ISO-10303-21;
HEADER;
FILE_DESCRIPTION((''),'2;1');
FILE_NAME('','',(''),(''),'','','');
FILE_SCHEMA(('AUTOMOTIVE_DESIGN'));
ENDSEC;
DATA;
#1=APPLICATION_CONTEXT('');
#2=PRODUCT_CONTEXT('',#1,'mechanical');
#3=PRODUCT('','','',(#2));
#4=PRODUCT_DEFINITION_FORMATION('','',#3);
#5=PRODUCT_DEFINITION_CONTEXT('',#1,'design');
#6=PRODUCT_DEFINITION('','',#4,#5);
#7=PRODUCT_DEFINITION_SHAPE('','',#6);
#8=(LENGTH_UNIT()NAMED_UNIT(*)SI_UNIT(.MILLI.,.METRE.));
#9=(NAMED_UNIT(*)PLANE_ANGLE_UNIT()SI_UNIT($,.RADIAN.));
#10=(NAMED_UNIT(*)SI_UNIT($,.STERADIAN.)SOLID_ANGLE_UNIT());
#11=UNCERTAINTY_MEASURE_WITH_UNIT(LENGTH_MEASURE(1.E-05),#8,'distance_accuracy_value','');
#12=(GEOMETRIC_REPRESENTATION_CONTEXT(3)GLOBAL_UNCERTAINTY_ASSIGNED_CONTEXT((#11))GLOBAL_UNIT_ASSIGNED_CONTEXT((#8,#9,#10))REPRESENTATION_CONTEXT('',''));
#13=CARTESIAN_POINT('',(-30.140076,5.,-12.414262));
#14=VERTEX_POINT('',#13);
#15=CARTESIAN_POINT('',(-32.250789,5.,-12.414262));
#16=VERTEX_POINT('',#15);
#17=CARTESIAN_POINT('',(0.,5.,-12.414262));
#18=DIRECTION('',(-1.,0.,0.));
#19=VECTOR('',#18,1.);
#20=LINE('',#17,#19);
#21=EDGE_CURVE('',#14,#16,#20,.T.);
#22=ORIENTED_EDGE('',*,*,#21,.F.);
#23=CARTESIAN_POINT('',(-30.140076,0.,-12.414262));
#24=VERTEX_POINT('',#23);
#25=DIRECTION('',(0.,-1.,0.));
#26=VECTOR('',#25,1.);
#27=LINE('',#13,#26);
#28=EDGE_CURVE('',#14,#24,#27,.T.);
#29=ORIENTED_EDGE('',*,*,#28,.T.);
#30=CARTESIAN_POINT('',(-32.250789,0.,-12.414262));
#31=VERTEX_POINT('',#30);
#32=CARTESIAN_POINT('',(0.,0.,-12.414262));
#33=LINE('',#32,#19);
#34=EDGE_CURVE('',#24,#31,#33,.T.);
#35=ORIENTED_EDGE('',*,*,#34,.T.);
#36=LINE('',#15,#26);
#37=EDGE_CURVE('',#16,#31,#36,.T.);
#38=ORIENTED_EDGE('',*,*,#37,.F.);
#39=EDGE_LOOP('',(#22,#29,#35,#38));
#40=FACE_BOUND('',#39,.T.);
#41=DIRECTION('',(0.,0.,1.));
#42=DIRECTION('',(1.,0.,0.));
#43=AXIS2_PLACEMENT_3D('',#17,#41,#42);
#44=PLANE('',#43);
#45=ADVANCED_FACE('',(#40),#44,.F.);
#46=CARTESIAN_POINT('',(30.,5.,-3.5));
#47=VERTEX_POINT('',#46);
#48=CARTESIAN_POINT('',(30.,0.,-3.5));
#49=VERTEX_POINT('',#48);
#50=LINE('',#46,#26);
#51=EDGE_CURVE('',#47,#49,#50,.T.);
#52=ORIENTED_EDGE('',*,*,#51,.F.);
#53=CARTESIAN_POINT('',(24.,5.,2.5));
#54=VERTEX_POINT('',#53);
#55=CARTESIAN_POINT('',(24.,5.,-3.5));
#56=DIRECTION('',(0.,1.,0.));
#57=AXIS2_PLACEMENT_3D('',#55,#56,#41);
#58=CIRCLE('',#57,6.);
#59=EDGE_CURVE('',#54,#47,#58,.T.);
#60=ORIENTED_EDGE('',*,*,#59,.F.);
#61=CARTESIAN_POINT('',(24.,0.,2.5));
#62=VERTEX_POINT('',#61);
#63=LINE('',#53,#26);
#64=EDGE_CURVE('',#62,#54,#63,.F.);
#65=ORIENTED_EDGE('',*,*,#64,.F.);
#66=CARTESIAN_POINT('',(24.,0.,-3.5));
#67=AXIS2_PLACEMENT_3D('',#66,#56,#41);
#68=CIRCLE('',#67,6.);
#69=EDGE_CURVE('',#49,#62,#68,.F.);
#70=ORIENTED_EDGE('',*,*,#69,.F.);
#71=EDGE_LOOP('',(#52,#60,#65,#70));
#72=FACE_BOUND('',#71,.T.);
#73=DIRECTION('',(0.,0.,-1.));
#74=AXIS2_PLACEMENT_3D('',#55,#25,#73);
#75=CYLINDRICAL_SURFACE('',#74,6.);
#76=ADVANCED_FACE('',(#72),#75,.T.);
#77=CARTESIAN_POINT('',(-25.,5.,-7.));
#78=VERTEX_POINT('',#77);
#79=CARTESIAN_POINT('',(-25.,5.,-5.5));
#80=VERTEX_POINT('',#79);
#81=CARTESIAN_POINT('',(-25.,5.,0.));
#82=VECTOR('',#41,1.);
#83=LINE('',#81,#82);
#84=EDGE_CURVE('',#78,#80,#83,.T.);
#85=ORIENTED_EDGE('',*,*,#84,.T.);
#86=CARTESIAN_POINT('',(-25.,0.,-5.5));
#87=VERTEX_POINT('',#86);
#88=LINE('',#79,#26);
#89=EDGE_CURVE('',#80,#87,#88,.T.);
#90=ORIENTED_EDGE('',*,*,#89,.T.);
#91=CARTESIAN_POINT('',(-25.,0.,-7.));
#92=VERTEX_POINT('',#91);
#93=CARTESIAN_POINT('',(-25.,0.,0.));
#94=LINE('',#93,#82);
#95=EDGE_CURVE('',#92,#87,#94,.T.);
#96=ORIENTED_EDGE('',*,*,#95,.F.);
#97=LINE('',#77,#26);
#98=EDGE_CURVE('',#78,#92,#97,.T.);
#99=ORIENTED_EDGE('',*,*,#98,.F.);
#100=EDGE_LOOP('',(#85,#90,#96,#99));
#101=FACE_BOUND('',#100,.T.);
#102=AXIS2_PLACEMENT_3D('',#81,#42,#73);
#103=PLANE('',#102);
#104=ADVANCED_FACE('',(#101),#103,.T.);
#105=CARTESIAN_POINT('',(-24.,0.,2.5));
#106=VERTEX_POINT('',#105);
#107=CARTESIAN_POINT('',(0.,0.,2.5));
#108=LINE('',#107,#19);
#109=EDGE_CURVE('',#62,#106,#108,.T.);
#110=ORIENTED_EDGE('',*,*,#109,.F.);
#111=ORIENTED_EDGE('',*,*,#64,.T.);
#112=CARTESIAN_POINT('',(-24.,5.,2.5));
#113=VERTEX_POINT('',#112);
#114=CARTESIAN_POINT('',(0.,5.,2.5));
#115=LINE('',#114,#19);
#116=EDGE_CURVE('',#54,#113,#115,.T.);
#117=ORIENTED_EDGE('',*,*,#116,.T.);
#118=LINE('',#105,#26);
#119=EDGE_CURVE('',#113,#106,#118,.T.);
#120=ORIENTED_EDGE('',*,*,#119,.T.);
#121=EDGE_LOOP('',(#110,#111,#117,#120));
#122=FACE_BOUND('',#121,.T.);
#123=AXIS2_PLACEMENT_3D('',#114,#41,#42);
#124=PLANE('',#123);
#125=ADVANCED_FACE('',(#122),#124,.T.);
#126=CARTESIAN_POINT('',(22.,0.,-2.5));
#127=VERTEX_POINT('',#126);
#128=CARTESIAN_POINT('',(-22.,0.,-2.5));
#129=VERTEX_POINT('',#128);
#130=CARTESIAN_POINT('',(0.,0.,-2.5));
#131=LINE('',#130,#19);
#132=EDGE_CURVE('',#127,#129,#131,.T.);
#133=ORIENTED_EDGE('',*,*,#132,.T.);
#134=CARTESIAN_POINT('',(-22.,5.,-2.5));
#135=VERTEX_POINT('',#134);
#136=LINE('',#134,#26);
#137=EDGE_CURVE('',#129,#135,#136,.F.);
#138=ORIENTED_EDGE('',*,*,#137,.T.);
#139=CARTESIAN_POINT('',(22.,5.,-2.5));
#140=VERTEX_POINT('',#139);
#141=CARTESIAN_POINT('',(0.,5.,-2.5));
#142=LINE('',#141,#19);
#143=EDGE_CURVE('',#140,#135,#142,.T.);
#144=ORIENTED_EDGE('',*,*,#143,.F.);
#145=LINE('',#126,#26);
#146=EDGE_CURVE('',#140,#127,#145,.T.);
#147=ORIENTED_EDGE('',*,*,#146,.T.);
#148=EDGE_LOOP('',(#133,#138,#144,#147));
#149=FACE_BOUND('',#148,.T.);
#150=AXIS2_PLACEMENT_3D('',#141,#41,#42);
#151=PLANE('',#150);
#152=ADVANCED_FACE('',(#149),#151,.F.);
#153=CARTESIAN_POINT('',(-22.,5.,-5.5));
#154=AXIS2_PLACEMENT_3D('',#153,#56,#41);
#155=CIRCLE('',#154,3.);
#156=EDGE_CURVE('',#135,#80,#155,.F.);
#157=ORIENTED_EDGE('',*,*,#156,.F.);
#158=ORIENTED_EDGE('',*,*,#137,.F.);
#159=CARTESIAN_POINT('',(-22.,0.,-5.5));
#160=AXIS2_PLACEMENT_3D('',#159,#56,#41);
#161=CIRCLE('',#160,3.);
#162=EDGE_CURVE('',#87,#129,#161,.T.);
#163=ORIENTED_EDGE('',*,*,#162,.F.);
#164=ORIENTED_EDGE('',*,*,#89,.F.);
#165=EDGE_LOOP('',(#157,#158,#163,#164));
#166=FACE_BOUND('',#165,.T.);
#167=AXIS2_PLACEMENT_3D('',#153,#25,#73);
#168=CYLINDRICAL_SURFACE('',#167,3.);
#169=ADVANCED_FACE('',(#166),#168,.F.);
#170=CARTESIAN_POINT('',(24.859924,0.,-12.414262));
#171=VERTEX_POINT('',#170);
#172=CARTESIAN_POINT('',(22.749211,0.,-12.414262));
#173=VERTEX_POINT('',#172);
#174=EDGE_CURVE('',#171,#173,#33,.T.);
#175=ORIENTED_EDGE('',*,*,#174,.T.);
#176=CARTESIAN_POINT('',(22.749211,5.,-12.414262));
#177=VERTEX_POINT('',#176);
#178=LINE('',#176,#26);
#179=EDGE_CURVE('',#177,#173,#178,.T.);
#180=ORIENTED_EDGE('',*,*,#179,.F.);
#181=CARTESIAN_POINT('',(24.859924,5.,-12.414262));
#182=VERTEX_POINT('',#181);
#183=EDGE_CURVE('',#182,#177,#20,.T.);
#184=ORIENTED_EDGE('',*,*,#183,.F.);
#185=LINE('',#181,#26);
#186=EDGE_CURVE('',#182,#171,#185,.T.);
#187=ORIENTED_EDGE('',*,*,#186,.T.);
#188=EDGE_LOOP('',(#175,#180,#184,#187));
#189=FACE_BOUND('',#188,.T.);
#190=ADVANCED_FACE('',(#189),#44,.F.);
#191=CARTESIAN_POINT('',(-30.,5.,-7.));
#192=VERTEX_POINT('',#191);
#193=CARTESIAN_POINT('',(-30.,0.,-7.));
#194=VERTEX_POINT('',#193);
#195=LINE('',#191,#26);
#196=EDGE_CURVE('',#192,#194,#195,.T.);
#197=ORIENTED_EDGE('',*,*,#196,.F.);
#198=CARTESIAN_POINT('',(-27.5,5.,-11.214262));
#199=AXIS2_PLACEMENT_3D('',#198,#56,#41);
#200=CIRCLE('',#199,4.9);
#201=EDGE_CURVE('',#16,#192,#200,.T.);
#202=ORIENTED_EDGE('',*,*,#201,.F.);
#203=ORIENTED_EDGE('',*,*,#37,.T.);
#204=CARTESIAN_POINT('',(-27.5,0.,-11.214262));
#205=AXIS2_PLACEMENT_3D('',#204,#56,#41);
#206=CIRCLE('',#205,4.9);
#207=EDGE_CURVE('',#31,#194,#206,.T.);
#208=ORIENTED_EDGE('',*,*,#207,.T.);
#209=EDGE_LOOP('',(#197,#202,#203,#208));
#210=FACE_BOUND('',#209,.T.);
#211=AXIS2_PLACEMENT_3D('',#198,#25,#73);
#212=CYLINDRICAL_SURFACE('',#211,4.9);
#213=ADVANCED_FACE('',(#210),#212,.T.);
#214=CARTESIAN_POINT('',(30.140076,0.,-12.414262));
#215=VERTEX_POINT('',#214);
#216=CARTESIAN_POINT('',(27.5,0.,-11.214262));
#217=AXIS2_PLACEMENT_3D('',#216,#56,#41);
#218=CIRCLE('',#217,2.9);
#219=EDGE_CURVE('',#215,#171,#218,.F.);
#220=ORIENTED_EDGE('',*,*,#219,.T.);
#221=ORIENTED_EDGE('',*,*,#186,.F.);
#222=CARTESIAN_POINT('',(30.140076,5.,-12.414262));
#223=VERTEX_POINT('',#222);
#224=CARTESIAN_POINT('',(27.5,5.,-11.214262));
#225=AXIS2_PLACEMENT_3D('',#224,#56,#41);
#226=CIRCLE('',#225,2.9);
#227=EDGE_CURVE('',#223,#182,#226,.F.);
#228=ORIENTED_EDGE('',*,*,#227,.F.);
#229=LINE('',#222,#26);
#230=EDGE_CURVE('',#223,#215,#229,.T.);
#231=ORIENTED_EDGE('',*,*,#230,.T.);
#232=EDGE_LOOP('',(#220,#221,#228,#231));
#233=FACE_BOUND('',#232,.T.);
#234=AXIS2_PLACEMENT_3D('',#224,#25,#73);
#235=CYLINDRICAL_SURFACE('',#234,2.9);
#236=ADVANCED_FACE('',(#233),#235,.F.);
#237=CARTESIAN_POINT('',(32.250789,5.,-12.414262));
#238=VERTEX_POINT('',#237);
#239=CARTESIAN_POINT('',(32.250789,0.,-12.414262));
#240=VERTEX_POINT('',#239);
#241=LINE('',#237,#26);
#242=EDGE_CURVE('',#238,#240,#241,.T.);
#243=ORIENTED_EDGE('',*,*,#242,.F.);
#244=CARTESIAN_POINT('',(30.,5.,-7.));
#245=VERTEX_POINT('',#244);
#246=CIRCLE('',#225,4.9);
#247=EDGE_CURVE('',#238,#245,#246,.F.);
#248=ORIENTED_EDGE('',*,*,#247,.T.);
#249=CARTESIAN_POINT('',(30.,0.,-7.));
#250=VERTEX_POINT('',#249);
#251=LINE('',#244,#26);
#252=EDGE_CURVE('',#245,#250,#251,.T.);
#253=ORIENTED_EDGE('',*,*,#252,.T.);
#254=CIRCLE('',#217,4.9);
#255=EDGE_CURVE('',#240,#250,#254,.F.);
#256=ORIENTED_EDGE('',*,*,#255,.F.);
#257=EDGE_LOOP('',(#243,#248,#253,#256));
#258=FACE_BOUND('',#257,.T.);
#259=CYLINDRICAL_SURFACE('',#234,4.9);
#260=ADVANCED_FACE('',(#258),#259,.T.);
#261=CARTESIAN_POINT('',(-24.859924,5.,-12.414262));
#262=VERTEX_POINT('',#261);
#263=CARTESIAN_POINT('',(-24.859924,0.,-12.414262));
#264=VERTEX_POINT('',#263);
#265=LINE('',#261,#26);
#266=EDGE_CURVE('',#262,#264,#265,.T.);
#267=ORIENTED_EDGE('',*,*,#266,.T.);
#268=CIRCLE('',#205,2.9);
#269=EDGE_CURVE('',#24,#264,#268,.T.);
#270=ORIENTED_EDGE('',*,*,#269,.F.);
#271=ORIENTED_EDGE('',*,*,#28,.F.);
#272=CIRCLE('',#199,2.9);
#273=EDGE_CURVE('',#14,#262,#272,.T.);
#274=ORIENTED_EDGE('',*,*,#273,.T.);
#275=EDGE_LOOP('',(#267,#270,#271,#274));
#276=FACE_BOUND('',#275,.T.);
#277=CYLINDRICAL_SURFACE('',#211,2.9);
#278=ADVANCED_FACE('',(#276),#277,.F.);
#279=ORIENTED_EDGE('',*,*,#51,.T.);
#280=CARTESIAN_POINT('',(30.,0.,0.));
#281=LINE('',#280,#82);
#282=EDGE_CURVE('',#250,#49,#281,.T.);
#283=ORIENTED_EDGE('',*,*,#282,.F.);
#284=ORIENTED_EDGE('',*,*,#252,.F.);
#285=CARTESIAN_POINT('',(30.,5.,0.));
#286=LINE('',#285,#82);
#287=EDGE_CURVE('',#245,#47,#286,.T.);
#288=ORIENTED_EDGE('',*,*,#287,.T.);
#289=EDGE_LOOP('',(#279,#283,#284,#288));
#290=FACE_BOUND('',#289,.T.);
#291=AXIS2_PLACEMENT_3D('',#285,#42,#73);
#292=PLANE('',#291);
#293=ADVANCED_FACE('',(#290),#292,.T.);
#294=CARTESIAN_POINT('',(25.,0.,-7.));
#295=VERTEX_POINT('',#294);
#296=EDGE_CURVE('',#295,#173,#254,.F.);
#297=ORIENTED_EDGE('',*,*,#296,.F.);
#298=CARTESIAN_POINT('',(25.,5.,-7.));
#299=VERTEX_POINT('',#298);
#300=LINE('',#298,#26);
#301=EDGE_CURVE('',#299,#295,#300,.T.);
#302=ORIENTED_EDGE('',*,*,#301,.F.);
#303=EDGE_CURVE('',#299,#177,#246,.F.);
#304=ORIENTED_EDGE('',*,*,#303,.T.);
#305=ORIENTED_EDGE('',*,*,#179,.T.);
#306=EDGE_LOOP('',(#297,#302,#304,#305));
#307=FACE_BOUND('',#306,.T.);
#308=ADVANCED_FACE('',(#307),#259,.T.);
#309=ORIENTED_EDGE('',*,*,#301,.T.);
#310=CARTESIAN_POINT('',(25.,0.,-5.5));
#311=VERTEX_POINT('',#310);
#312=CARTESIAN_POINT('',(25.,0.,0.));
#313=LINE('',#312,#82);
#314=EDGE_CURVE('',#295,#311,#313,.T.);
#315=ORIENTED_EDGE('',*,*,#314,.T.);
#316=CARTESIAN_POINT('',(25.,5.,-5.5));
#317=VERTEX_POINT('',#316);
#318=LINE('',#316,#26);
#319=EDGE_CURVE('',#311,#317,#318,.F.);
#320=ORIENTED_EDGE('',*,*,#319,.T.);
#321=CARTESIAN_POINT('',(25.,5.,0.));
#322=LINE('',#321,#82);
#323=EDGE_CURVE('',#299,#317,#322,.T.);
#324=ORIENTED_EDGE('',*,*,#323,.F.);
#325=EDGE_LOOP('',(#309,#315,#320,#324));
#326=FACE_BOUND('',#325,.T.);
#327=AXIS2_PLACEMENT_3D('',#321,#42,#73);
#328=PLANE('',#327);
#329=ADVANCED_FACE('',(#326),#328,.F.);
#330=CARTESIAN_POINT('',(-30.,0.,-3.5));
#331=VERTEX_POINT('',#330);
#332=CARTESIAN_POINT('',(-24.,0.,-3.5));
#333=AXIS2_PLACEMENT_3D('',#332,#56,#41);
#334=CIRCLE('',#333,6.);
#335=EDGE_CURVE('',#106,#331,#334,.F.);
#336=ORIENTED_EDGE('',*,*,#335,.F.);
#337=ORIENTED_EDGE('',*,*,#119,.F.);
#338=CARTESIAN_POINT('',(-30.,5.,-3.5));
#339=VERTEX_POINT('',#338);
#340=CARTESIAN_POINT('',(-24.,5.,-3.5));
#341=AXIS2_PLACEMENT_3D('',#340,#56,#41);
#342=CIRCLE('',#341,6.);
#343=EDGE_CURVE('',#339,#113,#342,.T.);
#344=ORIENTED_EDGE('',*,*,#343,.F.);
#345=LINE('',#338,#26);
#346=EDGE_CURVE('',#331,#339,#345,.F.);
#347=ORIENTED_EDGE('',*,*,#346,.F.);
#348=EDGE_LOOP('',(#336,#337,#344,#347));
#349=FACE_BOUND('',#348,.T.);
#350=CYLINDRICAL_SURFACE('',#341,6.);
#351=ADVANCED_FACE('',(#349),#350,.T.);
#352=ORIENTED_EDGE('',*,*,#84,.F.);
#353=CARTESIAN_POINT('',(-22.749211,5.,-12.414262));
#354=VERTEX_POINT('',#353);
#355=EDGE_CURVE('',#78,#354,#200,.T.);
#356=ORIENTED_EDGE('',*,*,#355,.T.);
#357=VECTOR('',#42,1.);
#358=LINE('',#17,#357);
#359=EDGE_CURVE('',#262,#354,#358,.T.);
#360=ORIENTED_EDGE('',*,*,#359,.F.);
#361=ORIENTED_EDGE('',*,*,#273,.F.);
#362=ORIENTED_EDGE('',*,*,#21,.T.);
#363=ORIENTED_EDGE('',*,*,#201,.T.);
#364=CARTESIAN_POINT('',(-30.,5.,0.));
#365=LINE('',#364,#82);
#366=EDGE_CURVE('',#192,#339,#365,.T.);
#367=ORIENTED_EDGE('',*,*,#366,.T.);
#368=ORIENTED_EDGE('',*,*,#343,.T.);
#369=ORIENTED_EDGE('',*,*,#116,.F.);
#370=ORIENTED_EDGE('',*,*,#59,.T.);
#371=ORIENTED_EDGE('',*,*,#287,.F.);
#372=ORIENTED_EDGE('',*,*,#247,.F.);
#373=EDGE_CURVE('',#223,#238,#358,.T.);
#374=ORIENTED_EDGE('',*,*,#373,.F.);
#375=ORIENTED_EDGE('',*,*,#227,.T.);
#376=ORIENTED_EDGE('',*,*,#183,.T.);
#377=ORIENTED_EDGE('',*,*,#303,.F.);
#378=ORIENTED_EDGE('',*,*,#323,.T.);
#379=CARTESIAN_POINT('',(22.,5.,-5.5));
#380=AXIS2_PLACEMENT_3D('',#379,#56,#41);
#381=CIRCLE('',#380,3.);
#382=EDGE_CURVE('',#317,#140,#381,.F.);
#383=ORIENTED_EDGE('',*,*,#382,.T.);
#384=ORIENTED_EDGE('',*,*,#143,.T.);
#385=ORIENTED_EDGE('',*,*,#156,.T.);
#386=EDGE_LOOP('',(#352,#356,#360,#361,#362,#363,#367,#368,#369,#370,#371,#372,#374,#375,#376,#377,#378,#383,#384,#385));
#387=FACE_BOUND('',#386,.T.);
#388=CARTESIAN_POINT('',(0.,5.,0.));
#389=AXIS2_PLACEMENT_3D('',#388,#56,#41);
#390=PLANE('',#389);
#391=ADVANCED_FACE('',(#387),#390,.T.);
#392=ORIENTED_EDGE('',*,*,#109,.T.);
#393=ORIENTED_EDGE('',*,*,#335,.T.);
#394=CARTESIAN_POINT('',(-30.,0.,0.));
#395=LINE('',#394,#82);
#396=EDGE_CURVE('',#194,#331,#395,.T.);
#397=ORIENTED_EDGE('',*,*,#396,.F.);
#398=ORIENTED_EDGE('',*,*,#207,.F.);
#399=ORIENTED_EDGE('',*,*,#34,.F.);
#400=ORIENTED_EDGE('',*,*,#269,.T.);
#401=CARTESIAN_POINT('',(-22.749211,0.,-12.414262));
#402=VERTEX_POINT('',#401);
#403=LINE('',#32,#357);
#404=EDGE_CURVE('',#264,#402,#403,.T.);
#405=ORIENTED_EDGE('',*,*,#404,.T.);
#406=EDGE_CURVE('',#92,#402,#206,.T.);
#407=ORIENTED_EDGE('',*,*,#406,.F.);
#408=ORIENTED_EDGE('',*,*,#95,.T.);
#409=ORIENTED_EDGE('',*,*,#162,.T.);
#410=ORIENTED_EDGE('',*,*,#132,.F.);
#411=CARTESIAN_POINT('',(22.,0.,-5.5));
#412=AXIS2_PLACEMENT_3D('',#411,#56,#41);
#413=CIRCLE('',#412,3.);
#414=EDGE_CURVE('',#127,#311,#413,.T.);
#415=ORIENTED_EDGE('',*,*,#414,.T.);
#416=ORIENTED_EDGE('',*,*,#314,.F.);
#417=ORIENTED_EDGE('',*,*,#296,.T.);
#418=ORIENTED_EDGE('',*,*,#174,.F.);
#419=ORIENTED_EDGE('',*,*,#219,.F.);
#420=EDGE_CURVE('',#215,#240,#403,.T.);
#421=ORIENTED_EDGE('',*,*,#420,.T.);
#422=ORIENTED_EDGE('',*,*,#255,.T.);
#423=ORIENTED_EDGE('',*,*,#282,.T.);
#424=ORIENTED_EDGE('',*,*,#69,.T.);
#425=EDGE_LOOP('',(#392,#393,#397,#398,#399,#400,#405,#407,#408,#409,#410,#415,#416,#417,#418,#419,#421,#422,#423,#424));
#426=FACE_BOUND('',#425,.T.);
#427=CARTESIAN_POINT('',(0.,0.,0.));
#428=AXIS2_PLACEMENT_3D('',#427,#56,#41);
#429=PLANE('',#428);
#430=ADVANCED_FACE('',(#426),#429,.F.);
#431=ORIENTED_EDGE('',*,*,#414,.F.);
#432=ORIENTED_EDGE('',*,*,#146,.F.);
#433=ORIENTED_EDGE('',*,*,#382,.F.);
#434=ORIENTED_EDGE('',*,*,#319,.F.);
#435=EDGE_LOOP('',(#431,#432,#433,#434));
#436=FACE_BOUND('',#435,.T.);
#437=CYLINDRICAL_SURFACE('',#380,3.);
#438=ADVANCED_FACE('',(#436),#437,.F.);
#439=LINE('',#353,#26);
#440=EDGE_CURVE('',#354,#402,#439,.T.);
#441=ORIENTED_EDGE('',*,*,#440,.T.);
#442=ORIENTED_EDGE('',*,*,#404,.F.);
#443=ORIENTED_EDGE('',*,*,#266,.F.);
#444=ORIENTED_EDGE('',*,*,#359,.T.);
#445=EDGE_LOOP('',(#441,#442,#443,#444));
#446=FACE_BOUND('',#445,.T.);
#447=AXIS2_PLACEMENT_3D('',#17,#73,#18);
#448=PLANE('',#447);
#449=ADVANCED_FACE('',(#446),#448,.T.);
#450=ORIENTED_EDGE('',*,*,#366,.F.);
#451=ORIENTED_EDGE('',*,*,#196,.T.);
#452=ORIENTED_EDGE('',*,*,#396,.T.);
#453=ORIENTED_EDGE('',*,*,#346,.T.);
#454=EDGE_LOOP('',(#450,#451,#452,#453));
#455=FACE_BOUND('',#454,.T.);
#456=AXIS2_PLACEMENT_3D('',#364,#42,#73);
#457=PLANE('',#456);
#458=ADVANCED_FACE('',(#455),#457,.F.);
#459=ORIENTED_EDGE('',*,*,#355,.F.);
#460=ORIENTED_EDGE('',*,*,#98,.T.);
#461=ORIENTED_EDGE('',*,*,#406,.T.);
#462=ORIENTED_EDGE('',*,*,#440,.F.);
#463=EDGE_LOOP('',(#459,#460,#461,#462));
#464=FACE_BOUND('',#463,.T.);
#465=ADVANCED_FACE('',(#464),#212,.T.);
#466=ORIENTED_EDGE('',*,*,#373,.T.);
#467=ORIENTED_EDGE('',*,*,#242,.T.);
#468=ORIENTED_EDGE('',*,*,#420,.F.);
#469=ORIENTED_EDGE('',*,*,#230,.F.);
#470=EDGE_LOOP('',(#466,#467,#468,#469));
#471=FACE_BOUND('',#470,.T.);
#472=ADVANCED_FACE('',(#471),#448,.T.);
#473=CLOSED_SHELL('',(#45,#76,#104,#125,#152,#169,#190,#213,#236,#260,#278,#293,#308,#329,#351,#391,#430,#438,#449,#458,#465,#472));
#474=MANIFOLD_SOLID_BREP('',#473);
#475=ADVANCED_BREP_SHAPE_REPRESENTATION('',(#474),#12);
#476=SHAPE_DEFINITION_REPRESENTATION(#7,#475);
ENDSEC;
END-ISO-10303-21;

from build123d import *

# Parameters (mm, degrees)
BOSS_EXTRUDE1_DEPTH = 5
FILLET1_R           = 3
FILLET2_R           = 6


with BuildPart() as part:
    # Sketch2 → Boss-Extrude1 (new body)
    with BuildSketch(Plane(origin=(0, 0, 0), x_dir=(1, 0, 0), z_dir=(0, 1, 0))):
        with BuildLine():
            ThreePointArc((-32.250789408, 12.414261501), (-27.5, 6.314261501), (-22.749210592, 12.414261501))
            Line((-22.749210592, 12.414261501), (-24.859924244, 12.414261501))
            ThreePointArc((-24.859924244, 12.414261501), (-27.5, 8.314261501), (-30.140075756, 12.414261501))
            Line((-30.140075756, 12.414261501), (-32.250789408, 12.414261501))
        make_face()
        with BuildLine():
            Line((25, 7), (25, 2.5))
            Line((25, 2.5), (-25, 2.5))
            Line((-25, 2.5), (-25, 7))
            ThreePointArc((-25, 7), (-27.5, 6.314261501), (-30, 7))
            Line((-30, 7), (-30, -2.5))
            Line((-30, -2.5), (30, -2.5))
            Line((30, -2.5), (30, 7))
            ThreePointArc((30, 7), (27.5, 6.314261501), (25, 7))
        make_face()
        with BuildLine():
            Line((30.140075756, 12.414261501), (32.250789408, 12.414261501))
            ThreePointArc((32.250789408, 12.414261501), (27.5, 6.314261501), (22.749210592, 12.414261501))
            Line((22.749210592, 12.414261501), (24.859924244, 12.414261501))
            ThreePointArc((24.859924244, 12.414261501), (27.5, 8.314261501), (30.140075756, 12.414261501))
        make_face()
    extrude(amount=BOSS_EXTRUDE1_DEPTH)

    # Fillet1
    fillet1_edges = [part.edges().sort_by_distance(p)[0] for p in [
        (-25, 2.5, -2.5),
        (25, 2.5, -2.5),
    ]]
    fillet(fillet1_edges, radius=FILLET1_R)

    # Fillet2
    fillet2_edges = [part.edges().sort_by_distance(p)[0] for p in [
        (30, 2.5, 2.5),
        (-30, 2.5, 2.5),
    ]]
    fillet(fillet2_edges, radius=FILLET2_R)


solid = part.part
